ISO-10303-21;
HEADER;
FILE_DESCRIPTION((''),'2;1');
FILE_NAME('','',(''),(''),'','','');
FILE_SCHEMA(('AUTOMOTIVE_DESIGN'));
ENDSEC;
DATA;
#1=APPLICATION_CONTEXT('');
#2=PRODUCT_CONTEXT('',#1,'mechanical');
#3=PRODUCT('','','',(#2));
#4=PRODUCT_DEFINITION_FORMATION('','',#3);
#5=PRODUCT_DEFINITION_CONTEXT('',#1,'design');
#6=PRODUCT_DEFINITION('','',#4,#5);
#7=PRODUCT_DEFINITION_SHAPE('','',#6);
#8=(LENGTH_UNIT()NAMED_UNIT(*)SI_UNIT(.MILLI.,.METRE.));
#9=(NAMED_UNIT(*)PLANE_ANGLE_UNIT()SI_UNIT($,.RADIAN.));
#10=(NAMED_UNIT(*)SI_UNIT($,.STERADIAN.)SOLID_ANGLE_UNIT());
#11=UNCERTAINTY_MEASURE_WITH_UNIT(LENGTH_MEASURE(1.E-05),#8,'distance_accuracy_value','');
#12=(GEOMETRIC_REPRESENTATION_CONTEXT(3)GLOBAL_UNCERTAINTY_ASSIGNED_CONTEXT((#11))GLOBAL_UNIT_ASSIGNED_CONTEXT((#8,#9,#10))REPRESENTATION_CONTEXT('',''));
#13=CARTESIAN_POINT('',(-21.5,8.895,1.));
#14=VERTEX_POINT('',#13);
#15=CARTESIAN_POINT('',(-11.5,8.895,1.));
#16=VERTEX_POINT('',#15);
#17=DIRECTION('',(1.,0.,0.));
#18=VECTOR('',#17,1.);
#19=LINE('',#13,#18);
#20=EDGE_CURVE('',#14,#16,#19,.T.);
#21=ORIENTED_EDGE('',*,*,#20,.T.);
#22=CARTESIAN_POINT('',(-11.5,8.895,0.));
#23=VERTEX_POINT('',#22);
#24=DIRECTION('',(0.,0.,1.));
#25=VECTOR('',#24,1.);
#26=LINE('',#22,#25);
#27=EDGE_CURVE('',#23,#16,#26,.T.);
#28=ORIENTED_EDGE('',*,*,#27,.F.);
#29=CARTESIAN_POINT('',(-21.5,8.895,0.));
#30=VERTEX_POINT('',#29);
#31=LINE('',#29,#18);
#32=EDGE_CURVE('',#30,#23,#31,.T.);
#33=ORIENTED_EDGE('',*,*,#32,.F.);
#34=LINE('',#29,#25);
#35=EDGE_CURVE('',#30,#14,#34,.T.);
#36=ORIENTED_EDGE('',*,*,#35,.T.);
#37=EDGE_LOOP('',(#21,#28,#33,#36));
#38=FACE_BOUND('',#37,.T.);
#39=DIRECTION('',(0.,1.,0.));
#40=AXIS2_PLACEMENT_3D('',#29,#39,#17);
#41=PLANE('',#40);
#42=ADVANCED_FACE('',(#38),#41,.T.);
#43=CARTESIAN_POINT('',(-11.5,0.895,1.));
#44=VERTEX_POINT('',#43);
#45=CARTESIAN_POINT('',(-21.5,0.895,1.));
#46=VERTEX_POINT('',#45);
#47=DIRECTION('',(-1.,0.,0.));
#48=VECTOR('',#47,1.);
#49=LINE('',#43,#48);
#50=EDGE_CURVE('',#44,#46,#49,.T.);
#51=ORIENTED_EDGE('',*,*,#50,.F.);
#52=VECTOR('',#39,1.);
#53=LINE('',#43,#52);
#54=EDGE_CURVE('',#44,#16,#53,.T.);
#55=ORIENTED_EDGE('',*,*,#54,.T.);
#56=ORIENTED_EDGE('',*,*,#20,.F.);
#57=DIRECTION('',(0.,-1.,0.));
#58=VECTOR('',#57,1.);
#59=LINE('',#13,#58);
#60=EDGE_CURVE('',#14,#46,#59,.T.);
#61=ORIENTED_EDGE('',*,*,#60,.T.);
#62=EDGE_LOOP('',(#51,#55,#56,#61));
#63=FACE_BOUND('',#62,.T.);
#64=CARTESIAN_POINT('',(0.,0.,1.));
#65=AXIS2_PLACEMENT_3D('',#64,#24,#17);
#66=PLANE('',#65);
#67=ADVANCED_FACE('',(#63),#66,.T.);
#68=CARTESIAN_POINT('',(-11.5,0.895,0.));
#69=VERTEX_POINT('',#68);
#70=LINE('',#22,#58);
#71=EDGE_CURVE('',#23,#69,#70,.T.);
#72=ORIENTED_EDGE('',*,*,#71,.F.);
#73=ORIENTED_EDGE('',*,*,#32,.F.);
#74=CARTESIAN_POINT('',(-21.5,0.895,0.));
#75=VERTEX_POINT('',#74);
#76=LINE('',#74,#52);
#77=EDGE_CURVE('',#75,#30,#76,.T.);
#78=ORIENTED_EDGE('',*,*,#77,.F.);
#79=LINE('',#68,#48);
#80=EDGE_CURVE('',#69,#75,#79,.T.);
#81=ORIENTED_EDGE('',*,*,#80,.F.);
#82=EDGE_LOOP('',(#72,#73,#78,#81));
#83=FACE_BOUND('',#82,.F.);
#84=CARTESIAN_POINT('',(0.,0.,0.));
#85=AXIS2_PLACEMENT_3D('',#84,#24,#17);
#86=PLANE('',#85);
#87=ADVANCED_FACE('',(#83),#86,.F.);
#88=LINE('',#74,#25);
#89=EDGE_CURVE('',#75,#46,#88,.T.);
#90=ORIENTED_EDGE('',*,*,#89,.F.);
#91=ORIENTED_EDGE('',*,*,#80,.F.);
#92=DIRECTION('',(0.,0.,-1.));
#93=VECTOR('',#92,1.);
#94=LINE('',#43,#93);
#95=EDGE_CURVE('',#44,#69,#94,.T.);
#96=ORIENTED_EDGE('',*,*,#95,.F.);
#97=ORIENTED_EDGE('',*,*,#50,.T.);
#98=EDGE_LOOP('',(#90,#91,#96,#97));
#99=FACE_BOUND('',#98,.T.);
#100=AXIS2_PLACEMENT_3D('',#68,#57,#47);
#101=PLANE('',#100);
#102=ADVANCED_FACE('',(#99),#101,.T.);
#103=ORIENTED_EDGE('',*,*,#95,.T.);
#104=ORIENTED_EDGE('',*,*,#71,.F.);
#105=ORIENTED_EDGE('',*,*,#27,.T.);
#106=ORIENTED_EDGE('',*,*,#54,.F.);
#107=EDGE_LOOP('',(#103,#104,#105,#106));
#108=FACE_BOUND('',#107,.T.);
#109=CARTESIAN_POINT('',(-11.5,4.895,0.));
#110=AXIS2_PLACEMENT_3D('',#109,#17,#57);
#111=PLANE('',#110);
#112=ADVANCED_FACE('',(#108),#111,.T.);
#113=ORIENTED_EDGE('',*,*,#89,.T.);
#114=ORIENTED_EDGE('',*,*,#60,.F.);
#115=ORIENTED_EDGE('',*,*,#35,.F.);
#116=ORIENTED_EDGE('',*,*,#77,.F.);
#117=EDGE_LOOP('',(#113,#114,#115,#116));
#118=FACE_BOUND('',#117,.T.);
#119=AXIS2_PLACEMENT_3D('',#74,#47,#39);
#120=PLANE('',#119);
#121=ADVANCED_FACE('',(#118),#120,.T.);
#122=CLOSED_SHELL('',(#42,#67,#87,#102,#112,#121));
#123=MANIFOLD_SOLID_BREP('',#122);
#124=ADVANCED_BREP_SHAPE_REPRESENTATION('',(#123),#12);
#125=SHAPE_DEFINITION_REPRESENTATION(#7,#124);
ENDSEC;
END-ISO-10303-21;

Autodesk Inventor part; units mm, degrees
ref_plane "YZ Plane" through (0, 0, 0) normal (1, 0, 0) x (0, 1, 0)
ref_plane "XZ Plane" through (0, 0, 0) normal (0, 1, 0) x (-1, 0, 0)
ref_plane "XY Plane" through (0, 0, 0) normal (0, 0, 1) x (1, 0, 0)
ref_plane "РабПлоскость1" through (0, 0, 0) normal (0, 0, 1) x (1, 0, 0)
sketch "Эскиз1" plane through (0, 0, 0) normal (0, 0, 1) x (1, 0, 0)
  line L0 (-10.8, -3.3341) -> (-10.8, 7.395) projected
  circle A0 centre (-13, 4.895) radius 1.5 projected
  line L1 (-11.5, 0.895) -> (-21.5, 0.895)
  line L2 (-21.5, 0.895) -> (-21.5, 8.895)
  line L3 (-21.5, 8.895) -> (-11.5, 8.895)
  line L4 (-11.5, 8.895) -> (-11.5, 0.895)
  point P0 (0, 0)
  dimension "d1" = 8
  dimension "d2" = 4
  dimension "d3" = 10
extrude "Выдавливание1" add sketch "Эскиз1" along normal blind 0.4 contours A0 | L4 L1 L2 L3
sketch "Эскиз2" plane through (0, 0, 0.4) normal (0, 0, 1) x (1, 0, 0)
  line L0 (-11.5, 8.895) -> (-21.5, 8.895) projected
  line L1 (-21.5, 8.895) -> (-21.5, 0.895) projected
  line L2 (-21.5, 0.895) -> (-11.5, 0.895) projected
  line L3 (-11.5, 0.895) -> (-11.5, 8.895) projected
  line L4 (-11.5, 0.895) -> (-16.5, 0.895)
  line L5 (-16.5, 0.895) -> (-16.5, 8.895)
  line L6 (-16.5, 8.895) -> (-11.5, 8.895)
  line L7 (-11.5, 8.895) -> (-11.5, 0.895)
  point P0 (0, 0)
  point P1 (-16.5318, 8.895)
  dimension "d9" = 5
extrude "Выдавливание2" add sketch "Эскиз2" along normal blind 0.6
equation "\"d2\" = 0.5 * d1"
properties part number "Крепление пружины"
